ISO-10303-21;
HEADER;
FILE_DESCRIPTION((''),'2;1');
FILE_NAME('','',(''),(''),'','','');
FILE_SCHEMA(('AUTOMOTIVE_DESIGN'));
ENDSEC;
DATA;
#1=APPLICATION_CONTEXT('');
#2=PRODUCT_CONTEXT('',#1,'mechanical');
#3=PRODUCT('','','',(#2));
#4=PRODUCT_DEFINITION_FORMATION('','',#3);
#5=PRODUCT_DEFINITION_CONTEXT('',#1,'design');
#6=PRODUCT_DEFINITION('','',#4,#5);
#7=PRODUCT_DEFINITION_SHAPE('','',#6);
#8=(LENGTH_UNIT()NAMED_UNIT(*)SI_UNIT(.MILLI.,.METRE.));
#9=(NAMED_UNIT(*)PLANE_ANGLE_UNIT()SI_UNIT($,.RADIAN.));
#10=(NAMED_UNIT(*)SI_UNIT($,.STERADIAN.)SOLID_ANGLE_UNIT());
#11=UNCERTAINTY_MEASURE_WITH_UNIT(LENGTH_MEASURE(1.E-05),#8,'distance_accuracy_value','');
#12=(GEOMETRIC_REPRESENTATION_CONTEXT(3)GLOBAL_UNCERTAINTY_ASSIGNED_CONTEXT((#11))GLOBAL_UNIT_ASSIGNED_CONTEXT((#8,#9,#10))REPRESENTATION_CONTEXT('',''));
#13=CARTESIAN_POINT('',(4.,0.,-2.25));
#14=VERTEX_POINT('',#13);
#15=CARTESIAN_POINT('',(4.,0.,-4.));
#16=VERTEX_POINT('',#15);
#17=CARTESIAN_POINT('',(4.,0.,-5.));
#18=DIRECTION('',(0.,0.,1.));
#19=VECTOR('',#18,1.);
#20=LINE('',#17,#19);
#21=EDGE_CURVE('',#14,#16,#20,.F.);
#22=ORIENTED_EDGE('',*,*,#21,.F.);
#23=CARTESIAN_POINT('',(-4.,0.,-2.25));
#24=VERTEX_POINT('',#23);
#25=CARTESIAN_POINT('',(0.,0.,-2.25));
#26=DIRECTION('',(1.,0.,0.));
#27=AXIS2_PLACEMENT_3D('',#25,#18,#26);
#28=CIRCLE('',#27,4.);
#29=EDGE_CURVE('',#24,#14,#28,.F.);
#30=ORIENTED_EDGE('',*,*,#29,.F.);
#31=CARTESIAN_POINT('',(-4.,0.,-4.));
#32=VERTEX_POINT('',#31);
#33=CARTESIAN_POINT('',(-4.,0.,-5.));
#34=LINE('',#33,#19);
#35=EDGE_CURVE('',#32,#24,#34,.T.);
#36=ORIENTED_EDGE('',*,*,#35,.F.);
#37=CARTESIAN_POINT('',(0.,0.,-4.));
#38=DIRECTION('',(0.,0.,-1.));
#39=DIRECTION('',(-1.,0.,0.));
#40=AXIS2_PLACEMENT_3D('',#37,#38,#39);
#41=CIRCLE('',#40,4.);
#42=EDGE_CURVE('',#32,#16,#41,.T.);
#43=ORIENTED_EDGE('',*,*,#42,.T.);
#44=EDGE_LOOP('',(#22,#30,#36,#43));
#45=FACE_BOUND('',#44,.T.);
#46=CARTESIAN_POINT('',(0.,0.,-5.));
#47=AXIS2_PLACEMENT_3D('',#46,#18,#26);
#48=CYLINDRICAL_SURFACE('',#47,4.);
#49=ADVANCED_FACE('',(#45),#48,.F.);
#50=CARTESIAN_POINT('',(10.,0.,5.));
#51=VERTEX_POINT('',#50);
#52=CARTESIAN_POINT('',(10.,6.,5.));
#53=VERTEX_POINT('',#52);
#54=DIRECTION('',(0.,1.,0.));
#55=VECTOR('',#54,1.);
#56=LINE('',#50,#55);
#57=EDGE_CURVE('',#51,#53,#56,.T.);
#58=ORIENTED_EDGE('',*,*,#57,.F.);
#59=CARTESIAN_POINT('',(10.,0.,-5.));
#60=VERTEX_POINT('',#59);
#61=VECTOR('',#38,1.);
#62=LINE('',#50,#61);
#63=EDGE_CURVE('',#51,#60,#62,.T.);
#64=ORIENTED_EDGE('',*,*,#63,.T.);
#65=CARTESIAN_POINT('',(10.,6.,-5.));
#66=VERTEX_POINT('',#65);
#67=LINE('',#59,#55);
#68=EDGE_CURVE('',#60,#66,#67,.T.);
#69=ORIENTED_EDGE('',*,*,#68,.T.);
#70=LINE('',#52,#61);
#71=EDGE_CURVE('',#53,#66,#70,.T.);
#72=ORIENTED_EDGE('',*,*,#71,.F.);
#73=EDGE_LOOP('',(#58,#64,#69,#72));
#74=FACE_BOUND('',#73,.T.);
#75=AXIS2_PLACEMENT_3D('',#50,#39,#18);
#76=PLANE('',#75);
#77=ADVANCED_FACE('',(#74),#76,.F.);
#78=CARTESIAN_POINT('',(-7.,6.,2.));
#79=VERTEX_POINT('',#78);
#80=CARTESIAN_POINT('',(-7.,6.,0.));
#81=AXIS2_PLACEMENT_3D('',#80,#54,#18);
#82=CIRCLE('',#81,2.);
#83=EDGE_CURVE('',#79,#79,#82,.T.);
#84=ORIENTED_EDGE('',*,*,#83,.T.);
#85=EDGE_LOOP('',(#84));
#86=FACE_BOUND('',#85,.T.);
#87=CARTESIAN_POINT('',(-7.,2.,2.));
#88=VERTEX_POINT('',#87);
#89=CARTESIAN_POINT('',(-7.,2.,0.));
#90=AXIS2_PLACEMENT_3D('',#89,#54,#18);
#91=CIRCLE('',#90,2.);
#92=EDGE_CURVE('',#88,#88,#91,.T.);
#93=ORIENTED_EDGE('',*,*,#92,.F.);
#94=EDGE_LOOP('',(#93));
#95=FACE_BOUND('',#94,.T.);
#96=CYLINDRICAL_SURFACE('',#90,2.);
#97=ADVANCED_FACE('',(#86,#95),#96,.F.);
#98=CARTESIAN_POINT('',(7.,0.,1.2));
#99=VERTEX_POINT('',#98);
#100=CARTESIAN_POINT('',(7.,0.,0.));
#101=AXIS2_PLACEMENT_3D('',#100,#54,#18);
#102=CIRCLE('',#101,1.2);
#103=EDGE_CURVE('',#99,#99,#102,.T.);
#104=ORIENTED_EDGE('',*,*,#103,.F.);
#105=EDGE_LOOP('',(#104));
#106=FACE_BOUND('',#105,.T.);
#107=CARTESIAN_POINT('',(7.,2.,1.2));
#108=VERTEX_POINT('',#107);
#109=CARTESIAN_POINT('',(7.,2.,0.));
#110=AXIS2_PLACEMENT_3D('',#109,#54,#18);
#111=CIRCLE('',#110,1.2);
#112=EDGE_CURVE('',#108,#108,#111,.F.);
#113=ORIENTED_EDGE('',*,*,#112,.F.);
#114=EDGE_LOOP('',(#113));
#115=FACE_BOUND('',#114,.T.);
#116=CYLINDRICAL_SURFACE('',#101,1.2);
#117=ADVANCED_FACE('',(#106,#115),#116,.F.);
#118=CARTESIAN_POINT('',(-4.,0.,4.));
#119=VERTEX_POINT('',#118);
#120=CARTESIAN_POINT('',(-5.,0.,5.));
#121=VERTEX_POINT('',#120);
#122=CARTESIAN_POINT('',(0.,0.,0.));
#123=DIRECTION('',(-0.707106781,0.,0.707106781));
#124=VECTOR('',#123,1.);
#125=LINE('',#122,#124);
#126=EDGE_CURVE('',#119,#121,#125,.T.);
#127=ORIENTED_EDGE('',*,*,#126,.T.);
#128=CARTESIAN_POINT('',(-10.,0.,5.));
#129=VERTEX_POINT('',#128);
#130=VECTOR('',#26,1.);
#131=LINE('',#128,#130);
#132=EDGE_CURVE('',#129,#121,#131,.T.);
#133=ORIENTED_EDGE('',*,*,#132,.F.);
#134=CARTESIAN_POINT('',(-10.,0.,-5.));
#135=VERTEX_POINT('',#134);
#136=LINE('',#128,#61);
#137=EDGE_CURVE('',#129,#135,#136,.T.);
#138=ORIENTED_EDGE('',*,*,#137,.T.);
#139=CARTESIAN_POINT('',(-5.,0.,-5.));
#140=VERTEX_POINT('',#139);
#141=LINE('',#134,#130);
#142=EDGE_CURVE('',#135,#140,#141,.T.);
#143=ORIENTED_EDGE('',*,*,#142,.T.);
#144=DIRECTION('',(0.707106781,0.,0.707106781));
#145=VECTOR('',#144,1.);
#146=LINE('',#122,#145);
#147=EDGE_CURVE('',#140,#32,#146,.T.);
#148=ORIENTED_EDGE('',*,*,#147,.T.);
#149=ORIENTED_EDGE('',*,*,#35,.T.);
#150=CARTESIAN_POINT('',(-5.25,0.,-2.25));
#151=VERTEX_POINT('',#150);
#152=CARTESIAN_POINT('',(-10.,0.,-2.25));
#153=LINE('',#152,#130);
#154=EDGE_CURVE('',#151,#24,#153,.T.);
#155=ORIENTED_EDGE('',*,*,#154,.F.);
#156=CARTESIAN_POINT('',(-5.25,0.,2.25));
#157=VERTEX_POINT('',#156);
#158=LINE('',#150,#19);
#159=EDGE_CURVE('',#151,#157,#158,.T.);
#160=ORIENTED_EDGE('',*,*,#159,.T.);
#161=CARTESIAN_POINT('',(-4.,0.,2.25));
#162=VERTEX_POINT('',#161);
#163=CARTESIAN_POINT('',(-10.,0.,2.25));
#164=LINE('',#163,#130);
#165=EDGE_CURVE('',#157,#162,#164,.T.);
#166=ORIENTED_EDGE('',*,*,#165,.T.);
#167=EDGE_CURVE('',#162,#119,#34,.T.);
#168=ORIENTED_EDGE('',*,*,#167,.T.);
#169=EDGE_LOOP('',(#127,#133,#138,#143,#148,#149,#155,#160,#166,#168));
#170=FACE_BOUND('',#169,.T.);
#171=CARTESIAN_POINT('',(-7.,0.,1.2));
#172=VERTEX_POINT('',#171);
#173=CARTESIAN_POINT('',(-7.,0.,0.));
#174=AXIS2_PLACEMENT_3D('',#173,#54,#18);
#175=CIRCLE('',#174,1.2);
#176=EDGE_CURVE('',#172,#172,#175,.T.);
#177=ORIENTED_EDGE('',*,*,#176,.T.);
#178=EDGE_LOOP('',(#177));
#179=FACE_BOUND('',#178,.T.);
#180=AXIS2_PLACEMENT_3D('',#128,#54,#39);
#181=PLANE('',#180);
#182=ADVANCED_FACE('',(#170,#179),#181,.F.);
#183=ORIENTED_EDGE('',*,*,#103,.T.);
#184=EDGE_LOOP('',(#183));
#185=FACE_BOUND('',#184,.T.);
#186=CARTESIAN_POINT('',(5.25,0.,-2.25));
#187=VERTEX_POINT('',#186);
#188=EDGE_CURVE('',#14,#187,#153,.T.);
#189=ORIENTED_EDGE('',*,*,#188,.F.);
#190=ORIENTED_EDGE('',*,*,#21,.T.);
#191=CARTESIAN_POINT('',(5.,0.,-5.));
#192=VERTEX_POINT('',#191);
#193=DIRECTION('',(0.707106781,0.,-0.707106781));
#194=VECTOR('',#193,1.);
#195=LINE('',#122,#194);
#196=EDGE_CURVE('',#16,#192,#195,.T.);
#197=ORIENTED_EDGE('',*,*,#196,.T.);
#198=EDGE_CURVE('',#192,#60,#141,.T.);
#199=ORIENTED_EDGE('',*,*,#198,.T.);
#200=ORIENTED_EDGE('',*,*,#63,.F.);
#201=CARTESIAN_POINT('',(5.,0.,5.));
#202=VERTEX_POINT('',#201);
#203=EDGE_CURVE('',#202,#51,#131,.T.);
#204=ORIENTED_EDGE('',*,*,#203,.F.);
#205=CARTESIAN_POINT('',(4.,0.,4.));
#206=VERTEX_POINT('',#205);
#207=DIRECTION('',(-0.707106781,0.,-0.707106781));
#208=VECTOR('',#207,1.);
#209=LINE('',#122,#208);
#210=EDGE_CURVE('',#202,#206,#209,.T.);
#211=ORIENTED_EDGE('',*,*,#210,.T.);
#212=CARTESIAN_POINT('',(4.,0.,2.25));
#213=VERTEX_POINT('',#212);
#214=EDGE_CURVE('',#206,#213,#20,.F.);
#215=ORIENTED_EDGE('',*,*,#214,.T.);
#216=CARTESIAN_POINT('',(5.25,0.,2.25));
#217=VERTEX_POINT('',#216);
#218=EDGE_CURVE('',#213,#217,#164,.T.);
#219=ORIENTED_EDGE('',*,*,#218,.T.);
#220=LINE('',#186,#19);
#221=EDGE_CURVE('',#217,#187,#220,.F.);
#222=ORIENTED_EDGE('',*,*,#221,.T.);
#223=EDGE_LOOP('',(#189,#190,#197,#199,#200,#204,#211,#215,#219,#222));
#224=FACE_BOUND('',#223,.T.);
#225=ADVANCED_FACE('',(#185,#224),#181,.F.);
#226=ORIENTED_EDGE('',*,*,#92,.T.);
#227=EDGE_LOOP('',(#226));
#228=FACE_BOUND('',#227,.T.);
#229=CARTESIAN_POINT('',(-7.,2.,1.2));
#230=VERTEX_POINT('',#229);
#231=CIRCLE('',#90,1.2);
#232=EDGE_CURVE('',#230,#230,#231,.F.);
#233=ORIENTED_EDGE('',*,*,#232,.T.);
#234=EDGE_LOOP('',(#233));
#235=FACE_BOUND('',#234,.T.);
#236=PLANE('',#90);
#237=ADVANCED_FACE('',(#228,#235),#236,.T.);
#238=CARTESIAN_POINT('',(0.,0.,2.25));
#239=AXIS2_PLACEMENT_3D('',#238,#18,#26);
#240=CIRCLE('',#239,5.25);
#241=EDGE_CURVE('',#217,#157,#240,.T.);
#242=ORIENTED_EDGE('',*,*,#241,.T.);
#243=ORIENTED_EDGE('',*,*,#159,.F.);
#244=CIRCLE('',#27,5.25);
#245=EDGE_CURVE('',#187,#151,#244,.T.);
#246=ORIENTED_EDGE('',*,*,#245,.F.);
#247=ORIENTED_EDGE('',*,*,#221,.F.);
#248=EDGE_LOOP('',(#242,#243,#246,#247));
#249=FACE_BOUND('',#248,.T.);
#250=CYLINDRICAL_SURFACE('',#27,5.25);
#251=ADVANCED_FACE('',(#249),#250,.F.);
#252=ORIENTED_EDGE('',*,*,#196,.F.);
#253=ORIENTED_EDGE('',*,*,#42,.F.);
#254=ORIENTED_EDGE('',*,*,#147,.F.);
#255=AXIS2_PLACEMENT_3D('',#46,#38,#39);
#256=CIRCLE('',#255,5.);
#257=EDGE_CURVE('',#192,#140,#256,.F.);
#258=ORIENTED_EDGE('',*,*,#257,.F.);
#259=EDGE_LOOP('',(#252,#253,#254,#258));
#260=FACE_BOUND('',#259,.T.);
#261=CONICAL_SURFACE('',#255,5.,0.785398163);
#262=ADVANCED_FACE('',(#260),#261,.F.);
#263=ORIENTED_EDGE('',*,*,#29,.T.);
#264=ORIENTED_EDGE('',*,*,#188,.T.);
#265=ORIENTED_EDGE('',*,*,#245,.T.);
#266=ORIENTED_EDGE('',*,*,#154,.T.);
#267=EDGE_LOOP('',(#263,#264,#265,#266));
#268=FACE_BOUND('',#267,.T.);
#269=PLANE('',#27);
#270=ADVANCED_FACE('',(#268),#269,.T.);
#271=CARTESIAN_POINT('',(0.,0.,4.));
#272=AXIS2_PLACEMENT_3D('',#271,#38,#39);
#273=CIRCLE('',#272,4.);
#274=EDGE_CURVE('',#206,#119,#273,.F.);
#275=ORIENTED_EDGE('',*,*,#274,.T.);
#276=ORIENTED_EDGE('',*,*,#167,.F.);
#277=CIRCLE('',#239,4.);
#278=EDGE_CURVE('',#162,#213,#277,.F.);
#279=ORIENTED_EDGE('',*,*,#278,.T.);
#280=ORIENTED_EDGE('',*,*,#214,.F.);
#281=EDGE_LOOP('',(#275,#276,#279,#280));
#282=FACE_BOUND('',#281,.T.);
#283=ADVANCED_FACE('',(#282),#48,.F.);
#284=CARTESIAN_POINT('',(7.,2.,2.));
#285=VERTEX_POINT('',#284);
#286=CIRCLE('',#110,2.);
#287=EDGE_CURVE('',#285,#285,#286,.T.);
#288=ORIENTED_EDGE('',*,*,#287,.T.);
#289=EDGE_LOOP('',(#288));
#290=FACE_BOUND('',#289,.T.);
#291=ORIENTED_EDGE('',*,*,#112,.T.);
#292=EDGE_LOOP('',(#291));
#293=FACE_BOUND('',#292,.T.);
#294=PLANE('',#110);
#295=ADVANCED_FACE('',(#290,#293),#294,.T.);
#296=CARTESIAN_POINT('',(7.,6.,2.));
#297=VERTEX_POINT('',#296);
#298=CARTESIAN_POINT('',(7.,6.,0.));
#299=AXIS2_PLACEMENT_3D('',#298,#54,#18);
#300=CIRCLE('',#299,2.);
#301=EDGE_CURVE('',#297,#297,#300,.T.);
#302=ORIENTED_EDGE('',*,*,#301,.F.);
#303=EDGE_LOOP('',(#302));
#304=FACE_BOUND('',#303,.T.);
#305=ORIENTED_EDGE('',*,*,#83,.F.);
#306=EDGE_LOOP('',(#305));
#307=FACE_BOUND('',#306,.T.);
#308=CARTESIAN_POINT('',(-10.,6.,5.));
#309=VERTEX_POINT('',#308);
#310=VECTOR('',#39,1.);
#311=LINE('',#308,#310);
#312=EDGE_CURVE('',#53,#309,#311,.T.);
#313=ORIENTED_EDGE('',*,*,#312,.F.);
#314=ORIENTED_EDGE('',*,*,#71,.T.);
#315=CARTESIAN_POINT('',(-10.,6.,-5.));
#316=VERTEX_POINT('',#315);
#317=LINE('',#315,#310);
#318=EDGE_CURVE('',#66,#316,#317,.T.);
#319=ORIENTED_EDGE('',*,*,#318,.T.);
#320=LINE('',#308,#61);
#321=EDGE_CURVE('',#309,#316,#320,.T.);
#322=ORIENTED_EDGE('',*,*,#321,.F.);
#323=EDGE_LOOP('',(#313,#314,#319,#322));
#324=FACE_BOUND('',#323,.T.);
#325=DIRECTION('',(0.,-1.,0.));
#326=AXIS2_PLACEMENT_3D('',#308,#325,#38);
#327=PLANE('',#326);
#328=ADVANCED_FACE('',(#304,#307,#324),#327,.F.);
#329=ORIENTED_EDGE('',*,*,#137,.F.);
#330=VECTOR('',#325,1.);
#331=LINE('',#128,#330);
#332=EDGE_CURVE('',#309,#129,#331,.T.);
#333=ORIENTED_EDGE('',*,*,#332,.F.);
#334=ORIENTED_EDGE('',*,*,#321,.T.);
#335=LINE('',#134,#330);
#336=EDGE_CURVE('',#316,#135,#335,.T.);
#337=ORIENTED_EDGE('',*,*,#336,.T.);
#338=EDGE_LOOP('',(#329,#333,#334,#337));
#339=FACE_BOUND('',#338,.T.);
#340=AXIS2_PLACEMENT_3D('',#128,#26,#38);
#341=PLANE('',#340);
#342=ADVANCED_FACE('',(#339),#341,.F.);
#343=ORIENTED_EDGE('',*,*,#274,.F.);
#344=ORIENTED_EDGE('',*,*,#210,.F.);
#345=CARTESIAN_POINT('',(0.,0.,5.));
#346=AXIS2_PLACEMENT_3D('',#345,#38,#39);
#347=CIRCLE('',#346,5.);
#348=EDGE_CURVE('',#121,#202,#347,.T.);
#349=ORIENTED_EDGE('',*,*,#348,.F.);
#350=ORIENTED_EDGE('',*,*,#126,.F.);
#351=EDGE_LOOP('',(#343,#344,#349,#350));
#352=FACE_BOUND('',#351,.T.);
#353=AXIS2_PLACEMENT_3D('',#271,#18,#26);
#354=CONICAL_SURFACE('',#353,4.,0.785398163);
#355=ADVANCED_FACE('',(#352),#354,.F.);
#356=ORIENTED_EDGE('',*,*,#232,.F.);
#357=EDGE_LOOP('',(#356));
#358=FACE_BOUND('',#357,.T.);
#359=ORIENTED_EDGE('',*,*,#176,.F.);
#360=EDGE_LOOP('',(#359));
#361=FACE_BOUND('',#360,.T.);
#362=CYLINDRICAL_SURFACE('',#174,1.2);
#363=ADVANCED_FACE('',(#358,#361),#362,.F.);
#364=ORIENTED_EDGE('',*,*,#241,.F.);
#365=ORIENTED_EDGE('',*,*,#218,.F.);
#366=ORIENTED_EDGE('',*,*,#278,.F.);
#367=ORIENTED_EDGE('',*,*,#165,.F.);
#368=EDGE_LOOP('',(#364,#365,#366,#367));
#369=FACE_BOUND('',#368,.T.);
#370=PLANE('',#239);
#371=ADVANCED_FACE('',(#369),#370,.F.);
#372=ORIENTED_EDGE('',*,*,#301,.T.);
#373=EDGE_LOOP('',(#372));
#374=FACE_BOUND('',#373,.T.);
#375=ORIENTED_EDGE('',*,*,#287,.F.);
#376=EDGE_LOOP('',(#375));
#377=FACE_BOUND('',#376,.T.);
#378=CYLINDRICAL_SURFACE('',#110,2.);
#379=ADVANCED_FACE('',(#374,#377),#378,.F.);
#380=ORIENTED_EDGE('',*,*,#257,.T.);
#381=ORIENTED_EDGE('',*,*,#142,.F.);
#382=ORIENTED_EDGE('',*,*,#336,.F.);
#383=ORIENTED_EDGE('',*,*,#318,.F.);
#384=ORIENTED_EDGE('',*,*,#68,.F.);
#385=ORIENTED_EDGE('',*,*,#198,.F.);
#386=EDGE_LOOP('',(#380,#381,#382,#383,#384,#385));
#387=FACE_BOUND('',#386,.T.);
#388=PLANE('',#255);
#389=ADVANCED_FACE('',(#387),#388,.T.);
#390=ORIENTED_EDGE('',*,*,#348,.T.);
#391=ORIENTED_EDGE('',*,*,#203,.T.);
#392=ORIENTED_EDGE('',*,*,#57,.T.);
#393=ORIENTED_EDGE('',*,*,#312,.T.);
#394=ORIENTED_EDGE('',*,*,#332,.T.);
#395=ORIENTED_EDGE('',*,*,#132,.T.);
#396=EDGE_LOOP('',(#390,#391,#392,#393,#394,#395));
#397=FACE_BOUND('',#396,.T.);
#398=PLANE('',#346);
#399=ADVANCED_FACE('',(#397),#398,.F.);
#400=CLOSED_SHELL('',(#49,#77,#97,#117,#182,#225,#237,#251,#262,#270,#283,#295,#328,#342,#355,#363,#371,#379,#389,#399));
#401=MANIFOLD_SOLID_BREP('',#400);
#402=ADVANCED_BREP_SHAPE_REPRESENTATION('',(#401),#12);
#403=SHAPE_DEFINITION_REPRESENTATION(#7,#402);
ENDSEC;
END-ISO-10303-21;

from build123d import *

# Parameters (mm, degrees)
SKETCH_2_W             = 20
SKETCH_2_H             = 6
EXTRUDE_379_DEPTH      = 5
SKETCH_3_R             = 4
CUT_EXTRUDE_526_DEPTH  = 16.362291496
SKETCH_4_R             = 5.25
CUT_EXTRUDE_602_DEPTH  = 2.25
SKETCH_5_R             = 1.2
CUT_EXTRUDE_755_DEPTH  = 13.68857754
CHAMFER_2_SIZE         = 1
SKETCH_6_R             = 2
CUT_EXTRUDE_1018_DEPTH = 4


with BuildPart() as part:
    # Эскиз2 → Extrude 379 (new, symmetric)
    with BuildSketch(Plane.XY):
        with Locations((0, 3)):
            Rectangle(SKETCH_2_W, SKETCH_2_H)
    extrude(amount=EXTRUDE_379_DEPTH, both=True)

    # Эскиз3 → Cut-Extrude 526 (cut, through all)
    with BuildSketch(Plane.XY.offset(5)):
        Circle(SKETCH_3_R)
    extrude(amount=-CUT_EXTRUDE_526_DEPTH, mode=Mode.SUBTRACT)

    # Эскиз4 → Cut-Extrude 602 (cut, symmetric)
    with BuildSketch(Plane.XY):
        Circle(SKETCH_4_R)
    extrude(amount=CUT_EXTRUDE_602_DEPTH, both=True, mode=Mode.SUBTRACT)

    # Эскиз5 → Cut-Extrude 755 (cut, through all)
    with BuildSketch(Plane(origin=(0, 6, 0), x_dir=(1, 0, 0), z_dir=(0, 1, 0))):
        with Locations(Location((-7, 0, 0), (0, 0, 270))):
            Circle(SKETCH_5_R)
        with Locations(Location((7, 0, 0), (0, 0, 270))):
            Circle(SKETCH_5_R)
    extrude(amount=-CUT_EXTRUDE_755_DEPTH, mode=Mode.SUBTRACT)

    # Фаска2
    chamfer_2_edges = [part.edges().sort_by_distance(p)[0] for p in [
        (0, 4, 5),
        (0, 4, -5),
    ]]
    chamfer(chamfer_2_edges, length=CHAMFER_2_SIZE)

    # Эскиз6 → Cut-Extrude 1018 (cut)
    with BuildSketch(Plane(origin=(0, 6, 0), x_dir=(1, 0, 0), z_dir=(0, 1, 0))):
        with Locations(Location((-7, 0, 0), (0, 0, 270))):
            Circle(SKETCH_6_R)
        with Locations(Location((7, 0, 0), (0, 0, 270))):
            Circle(SKETCH_6_R)
    extrude(amount=-CUT_EXTRUDE_1018_DEPTH, mode=Mode.SUBTRACT)


solid = part.part
